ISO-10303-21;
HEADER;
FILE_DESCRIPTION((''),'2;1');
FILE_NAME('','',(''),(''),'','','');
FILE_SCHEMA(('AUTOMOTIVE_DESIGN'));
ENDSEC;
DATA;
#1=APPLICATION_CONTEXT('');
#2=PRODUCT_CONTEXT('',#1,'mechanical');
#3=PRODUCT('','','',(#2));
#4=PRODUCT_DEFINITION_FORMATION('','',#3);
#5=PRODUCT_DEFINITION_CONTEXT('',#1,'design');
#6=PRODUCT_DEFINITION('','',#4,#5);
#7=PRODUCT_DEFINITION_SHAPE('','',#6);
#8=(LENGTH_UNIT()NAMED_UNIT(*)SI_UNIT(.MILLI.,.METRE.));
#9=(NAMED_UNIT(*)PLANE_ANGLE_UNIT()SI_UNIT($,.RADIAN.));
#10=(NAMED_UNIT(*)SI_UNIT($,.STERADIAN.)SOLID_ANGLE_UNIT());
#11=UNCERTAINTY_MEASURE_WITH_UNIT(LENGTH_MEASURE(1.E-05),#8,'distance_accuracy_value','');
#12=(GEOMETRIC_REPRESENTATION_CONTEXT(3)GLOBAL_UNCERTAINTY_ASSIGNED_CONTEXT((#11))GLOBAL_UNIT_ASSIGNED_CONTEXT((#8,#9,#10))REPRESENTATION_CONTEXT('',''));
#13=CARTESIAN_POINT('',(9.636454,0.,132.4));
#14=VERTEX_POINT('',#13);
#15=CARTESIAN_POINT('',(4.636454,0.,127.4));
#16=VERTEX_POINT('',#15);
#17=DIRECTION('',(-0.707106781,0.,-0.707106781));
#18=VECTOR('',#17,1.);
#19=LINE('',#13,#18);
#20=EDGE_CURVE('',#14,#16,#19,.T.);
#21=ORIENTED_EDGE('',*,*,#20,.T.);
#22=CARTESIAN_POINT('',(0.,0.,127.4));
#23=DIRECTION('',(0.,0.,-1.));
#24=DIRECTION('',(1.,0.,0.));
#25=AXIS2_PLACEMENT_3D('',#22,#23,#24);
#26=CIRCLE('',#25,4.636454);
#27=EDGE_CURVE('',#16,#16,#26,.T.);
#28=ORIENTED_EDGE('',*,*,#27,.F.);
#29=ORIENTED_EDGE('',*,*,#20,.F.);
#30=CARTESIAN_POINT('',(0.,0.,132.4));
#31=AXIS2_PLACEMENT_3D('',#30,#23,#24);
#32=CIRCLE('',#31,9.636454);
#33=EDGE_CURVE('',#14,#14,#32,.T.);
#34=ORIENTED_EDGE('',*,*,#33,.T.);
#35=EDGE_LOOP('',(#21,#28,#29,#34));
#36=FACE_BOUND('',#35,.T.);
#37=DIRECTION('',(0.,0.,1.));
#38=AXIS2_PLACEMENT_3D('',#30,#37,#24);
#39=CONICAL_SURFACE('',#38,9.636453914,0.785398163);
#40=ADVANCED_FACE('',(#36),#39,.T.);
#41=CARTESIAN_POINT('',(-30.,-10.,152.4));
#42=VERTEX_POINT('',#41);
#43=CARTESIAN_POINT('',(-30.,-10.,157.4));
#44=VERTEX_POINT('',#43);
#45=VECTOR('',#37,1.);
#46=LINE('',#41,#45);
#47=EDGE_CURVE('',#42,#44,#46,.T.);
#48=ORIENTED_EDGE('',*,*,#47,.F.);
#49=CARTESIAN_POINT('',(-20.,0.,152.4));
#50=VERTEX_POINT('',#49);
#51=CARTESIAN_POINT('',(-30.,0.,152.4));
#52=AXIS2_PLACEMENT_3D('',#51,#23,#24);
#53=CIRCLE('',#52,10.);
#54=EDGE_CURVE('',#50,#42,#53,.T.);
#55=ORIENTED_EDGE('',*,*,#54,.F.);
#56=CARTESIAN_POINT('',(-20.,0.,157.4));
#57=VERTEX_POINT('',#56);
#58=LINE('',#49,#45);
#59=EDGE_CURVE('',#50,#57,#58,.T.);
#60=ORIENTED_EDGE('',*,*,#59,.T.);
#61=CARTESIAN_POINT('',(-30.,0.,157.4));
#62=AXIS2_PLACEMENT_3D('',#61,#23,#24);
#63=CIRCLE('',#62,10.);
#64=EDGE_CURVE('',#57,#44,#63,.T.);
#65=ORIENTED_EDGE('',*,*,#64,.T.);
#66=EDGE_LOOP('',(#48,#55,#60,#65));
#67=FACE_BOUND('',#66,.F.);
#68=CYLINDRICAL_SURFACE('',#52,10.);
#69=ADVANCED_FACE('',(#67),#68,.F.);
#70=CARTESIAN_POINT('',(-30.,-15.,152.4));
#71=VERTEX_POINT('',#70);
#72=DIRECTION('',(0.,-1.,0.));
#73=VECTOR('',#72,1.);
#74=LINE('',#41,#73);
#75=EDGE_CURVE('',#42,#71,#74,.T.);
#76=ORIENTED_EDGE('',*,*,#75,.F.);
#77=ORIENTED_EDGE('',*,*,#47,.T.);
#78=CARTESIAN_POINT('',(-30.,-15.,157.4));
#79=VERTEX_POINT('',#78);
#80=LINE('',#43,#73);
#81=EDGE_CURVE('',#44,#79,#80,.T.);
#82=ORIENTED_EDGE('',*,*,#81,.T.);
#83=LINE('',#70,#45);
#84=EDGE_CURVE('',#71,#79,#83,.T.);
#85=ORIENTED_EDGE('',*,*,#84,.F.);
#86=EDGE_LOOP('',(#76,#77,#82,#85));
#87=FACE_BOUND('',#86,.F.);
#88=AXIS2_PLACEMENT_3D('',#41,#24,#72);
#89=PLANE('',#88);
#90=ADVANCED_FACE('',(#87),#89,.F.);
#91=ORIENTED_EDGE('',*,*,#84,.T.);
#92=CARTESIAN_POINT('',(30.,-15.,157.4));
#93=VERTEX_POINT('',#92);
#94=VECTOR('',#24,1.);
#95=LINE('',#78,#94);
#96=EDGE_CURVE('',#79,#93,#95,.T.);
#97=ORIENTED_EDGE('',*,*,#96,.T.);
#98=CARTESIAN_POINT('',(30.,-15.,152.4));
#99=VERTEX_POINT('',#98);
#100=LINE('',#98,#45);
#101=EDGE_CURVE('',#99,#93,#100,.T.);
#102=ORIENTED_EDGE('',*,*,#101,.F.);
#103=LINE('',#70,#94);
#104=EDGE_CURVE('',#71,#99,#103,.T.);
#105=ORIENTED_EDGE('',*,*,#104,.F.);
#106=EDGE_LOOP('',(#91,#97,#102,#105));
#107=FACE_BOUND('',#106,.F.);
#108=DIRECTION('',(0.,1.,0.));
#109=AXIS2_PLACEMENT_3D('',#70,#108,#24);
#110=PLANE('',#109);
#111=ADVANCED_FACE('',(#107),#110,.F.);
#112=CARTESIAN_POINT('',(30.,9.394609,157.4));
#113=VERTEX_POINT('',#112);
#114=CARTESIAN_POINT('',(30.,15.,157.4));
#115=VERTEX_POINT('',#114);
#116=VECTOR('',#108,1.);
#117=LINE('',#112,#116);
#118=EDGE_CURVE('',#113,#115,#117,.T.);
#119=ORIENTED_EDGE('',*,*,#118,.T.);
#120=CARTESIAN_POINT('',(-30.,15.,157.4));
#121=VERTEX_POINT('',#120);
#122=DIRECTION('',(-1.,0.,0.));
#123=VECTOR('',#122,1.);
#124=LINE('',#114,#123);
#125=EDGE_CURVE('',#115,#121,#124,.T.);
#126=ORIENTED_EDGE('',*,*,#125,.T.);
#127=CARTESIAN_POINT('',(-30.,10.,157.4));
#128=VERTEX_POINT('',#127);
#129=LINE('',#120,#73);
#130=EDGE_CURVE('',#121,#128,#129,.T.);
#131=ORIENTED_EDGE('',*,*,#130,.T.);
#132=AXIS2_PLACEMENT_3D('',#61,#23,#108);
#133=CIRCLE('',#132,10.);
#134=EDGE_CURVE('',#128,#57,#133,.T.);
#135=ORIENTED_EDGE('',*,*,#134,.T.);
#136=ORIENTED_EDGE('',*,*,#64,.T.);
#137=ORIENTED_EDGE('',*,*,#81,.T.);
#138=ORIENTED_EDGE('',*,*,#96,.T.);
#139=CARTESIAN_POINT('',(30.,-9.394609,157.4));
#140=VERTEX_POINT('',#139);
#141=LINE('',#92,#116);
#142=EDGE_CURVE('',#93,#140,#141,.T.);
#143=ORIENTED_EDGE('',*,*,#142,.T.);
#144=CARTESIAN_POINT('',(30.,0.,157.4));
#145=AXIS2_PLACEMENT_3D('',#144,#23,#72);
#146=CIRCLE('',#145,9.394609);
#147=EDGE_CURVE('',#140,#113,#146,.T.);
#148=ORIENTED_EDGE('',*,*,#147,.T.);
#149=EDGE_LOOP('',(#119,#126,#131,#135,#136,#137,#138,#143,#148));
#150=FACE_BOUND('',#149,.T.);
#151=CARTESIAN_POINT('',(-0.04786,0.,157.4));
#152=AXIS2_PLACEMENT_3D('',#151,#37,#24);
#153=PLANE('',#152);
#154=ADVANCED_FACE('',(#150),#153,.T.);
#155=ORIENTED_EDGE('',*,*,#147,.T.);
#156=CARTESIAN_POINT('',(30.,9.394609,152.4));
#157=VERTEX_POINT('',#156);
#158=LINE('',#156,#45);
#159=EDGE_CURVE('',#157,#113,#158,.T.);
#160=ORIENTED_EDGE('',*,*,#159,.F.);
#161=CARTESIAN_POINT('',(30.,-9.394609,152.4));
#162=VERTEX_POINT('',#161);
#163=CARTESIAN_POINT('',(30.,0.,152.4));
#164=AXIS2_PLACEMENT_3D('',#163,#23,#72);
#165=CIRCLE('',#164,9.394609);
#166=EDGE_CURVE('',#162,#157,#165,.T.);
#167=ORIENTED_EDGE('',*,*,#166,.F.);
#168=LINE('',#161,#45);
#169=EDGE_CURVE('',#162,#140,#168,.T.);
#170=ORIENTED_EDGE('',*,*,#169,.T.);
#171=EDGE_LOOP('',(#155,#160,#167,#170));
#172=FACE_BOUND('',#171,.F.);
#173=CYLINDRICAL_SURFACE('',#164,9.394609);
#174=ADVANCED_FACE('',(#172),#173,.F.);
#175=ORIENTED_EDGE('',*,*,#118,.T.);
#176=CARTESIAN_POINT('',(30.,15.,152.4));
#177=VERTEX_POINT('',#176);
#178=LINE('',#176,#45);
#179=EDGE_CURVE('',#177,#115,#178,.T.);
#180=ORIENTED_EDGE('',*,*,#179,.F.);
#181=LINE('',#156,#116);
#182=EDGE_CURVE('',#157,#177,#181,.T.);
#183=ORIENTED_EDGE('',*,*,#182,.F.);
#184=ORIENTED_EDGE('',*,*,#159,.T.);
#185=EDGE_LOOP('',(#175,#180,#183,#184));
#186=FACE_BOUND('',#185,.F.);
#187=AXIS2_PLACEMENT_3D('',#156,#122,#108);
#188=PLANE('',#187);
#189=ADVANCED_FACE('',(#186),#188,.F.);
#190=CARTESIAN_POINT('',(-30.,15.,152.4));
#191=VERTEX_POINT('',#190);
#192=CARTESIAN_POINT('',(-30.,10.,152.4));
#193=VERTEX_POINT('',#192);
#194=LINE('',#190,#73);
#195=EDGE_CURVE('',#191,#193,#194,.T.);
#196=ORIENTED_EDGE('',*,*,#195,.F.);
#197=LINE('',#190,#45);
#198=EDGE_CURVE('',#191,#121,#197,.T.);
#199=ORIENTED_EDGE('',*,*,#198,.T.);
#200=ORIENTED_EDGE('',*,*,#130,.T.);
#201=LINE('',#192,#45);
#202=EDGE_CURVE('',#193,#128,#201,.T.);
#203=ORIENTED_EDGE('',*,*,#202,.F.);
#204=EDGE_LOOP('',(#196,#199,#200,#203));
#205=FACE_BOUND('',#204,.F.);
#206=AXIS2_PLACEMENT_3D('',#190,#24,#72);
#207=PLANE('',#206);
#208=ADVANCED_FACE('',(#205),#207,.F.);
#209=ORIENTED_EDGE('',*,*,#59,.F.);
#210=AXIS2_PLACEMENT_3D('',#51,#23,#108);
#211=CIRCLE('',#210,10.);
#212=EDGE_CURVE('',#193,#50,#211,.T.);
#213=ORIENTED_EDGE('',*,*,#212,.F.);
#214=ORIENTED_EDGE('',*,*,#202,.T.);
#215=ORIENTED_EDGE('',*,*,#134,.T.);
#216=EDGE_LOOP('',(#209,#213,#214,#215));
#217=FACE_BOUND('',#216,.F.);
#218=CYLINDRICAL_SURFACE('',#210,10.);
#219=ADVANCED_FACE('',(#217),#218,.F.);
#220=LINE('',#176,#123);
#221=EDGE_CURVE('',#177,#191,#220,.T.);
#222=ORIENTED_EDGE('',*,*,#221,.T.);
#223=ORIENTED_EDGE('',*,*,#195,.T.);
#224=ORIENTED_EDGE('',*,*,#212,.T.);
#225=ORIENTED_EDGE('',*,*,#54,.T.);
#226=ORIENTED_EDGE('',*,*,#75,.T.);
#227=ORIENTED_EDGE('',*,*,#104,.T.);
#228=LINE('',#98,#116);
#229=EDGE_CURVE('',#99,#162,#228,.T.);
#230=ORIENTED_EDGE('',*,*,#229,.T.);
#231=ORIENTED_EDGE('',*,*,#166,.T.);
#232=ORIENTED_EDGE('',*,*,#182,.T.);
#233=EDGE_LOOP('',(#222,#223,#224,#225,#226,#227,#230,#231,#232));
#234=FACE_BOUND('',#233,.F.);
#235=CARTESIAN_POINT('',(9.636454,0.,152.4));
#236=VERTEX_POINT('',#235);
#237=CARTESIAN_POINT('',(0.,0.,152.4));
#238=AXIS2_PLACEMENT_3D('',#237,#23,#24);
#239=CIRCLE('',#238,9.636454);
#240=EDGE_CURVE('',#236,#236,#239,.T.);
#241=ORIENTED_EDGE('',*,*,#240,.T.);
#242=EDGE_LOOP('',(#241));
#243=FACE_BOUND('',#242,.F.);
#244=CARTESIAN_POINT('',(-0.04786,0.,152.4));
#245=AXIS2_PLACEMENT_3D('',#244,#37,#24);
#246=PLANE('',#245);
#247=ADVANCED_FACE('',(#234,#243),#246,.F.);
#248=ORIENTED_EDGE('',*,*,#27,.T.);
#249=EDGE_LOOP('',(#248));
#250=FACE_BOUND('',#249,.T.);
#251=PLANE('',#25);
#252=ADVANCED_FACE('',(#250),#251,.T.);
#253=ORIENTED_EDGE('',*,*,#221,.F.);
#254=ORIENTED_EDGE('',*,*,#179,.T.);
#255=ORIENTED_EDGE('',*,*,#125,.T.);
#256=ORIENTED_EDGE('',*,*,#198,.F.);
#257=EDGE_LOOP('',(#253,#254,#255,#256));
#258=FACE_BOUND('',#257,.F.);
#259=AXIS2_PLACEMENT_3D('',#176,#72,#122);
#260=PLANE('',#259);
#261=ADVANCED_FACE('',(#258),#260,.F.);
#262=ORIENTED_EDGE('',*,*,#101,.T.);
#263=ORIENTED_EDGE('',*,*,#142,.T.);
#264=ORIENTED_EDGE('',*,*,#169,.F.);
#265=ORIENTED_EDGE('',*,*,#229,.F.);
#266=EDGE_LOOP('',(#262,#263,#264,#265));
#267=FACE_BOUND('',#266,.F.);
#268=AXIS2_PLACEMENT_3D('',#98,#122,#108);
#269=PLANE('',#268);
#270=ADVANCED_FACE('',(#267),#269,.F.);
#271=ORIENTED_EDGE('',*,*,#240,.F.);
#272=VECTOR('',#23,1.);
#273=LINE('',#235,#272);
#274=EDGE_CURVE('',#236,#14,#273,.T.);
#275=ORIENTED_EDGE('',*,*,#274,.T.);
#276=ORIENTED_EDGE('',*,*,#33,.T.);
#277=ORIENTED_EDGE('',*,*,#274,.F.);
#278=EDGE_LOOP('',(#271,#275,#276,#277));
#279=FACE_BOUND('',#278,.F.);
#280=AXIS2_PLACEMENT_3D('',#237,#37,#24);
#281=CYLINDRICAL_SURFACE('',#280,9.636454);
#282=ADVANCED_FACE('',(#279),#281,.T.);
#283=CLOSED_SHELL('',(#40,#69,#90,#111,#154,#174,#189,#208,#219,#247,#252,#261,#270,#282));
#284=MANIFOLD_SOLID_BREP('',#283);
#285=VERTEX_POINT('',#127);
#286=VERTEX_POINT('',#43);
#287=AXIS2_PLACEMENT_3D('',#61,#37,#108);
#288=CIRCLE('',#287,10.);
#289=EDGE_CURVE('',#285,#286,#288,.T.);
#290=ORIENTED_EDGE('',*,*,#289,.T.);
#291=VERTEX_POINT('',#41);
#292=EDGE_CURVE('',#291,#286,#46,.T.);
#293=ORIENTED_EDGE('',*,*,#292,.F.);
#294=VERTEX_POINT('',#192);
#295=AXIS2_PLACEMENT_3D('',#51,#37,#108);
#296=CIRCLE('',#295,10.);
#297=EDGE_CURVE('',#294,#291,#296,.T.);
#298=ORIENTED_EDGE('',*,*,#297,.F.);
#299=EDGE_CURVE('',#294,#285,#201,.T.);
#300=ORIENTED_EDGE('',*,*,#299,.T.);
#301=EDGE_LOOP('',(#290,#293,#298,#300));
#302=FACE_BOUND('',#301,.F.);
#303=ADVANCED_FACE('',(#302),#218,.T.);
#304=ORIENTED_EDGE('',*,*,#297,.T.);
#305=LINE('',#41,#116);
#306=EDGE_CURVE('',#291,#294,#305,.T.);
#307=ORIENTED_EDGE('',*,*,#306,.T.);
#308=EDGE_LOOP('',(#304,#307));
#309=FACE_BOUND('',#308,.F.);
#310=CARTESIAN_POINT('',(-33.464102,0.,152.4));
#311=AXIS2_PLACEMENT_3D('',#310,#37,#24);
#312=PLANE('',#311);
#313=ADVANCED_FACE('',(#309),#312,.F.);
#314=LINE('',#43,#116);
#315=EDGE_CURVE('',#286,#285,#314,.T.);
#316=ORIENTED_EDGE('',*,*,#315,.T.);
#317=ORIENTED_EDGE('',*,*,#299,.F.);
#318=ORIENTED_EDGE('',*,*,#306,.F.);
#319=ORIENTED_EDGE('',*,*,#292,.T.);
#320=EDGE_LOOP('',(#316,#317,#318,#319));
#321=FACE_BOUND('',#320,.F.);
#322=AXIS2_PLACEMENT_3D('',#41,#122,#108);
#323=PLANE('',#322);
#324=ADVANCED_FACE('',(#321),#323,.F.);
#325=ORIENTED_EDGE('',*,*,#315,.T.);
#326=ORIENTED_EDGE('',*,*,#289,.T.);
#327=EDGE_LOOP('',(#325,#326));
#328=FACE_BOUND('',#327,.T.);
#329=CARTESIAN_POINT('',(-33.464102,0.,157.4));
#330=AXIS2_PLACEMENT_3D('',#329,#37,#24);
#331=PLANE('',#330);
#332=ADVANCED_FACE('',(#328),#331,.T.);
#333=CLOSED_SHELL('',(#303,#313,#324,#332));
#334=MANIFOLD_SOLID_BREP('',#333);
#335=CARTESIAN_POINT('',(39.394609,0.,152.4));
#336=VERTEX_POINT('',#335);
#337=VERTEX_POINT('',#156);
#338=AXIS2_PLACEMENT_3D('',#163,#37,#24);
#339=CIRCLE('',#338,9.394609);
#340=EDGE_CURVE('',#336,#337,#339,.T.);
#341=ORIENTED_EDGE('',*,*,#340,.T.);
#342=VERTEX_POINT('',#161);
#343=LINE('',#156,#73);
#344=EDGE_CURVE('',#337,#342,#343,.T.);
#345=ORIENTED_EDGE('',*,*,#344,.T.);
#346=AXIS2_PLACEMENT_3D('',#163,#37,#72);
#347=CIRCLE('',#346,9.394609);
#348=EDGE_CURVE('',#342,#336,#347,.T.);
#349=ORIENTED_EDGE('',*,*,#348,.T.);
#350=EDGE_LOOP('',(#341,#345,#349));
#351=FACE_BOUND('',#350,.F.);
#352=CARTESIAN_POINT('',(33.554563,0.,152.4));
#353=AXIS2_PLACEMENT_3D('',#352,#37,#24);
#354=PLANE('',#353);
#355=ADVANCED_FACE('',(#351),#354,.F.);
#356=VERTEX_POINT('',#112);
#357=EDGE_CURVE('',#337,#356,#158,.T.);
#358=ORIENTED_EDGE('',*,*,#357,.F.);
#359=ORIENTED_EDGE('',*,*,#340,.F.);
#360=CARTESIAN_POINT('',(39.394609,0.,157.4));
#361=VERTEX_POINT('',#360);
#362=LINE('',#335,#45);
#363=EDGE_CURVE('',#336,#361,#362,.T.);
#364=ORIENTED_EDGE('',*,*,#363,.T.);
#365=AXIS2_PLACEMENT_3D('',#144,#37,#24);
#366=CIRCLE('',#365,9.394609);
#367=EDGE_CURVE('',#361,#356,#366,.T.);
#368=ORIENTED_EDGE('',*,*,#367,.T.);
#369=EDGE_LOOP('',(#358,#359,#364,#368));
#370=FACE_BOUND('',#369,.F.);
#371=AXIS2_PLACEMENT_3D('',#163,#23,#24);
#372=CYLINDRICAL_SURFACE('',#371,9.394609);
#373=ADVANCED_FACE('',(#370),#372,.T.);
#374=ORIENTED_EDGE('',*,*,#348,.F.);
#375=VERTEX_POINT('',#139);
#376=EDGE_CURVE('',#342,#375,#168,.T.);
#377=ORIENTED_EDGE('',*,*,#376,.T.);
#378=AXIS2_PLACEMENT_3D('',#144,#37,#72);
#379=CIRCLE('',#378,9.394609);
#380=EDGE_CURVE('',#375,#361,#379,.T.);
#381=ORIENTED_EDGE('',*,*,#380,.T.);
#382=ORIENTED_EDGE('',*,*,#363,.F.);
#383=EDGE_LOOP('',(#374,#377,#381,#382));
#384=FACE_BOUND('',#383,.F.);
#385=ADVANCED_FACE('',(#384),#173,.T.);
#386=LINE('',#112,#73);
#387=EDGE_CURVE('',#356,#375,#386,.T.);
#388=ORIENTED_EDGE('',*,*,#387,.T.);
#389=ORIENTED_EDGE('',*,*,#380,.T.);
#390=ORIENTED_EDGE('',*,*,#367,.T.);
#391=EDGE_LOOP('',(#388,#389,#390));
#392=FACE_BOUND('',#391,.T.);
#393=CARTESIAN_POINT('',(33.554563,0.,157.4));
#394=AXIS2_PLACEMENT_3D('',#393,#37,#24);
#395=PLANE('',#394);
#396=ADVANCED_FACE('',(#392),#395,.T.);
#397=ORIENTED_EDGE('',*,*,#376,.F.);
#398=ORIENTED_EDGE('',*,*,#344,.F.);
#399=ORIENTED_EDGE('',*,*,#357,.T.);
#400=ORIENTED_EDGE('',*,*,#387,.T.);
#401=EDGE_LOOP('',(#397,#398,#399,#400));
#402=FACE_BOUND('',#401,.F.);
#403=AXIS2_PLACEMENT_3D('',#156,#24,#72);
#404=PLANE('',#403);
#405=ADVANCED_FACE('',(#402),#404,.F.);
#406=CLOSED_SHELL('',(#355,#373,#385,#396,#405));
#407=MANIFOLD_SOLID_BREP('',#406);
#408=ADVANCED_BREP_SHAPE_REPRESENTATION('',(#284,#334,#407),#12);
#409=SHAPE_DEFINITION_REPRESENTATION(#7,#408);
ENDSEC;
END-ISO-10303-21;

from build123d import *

# Parameters (mm, degrees)
F2_DEPTH = 5
F3_R     = 9.6364539138
F4_DEPTH = 25
F5_SIZE  = 5


with BuildPart() as f2:
    # F1 (on offset) → F2 (new body)
    with BuildSketch(Plane.XY.offset(152.4)):
        with BuildLine():
            Line((30, 15), (-30, 15))
            Line((-30, 15), (-30, 10))
            ThreePointArc((-30, 10), (-22.9289321881, 7.0710678119), (-20, 0))
            ThreePointArc((-20, 0), (-22.9289321881, -7.0710678119), (-30, -10))
            Line((-30, -10), (-30, -15))
            Line((-30, -15), (30, -15))
            Line((30, -15), (30, -9.3946087251))
            ThreePointArc((30, -9.3946087251), (20.6053912749, 0), (30, 9.3946087251))
            Line((30, 9.3946087251), (30, 15))
        make_face()
    extrude(amount=F2_DEPTH)

    # F3 (on face) → F4 (join)
    with BuildSketch(Plane(origin=(0, 0, 152.4), x_dir=(1, 0, 0), z_dir=(0, 0, -1))):
        Circle(F3_R)
    extrude(amount=F4_DEPTH)

    # F5
    f5_edges = [f2.edges().sort_by_distance(p)[0] for p in [
        (-9.636454, 0, 127.4),
    ]]
    chamfer(f5_edges, length=F5_SIZE)


with BuildPart() as f2b:
    # F1 (on offset) → F2, piece 2 (new body)
    with BuildSketch(Plane.XY.offset(152.4)):
        with BuildLine():
            Line((-30, -10), (-30, 10))
            ThreePointArc((-30, 10), (-40, 0), (-30, -10))
        make_face()
    extrude(amount=F2_DEPTH)


with BuildPart() as f2c:
    # F1 (on offset) → F2, piece 3 (new body)
    with BuildSketch(Plane.XY.offset(152.4)):
        with BuildLine():
            ThreePointArc((39.3946087251, 0), (36.6429915361, 6.6429915361), (30, 9.3946087251))
            Line((30, 9.3946087251), (30, -9.3946087251))
            ThreePointArc((30, -9.3946087251), (36.6429915361, -6.6429915361), (39.3946087251, 0))
        make_face()
    extrude(amount=F2_DEPTH)


solid = Compound([f2.part, f2b.part, f2c.part])
